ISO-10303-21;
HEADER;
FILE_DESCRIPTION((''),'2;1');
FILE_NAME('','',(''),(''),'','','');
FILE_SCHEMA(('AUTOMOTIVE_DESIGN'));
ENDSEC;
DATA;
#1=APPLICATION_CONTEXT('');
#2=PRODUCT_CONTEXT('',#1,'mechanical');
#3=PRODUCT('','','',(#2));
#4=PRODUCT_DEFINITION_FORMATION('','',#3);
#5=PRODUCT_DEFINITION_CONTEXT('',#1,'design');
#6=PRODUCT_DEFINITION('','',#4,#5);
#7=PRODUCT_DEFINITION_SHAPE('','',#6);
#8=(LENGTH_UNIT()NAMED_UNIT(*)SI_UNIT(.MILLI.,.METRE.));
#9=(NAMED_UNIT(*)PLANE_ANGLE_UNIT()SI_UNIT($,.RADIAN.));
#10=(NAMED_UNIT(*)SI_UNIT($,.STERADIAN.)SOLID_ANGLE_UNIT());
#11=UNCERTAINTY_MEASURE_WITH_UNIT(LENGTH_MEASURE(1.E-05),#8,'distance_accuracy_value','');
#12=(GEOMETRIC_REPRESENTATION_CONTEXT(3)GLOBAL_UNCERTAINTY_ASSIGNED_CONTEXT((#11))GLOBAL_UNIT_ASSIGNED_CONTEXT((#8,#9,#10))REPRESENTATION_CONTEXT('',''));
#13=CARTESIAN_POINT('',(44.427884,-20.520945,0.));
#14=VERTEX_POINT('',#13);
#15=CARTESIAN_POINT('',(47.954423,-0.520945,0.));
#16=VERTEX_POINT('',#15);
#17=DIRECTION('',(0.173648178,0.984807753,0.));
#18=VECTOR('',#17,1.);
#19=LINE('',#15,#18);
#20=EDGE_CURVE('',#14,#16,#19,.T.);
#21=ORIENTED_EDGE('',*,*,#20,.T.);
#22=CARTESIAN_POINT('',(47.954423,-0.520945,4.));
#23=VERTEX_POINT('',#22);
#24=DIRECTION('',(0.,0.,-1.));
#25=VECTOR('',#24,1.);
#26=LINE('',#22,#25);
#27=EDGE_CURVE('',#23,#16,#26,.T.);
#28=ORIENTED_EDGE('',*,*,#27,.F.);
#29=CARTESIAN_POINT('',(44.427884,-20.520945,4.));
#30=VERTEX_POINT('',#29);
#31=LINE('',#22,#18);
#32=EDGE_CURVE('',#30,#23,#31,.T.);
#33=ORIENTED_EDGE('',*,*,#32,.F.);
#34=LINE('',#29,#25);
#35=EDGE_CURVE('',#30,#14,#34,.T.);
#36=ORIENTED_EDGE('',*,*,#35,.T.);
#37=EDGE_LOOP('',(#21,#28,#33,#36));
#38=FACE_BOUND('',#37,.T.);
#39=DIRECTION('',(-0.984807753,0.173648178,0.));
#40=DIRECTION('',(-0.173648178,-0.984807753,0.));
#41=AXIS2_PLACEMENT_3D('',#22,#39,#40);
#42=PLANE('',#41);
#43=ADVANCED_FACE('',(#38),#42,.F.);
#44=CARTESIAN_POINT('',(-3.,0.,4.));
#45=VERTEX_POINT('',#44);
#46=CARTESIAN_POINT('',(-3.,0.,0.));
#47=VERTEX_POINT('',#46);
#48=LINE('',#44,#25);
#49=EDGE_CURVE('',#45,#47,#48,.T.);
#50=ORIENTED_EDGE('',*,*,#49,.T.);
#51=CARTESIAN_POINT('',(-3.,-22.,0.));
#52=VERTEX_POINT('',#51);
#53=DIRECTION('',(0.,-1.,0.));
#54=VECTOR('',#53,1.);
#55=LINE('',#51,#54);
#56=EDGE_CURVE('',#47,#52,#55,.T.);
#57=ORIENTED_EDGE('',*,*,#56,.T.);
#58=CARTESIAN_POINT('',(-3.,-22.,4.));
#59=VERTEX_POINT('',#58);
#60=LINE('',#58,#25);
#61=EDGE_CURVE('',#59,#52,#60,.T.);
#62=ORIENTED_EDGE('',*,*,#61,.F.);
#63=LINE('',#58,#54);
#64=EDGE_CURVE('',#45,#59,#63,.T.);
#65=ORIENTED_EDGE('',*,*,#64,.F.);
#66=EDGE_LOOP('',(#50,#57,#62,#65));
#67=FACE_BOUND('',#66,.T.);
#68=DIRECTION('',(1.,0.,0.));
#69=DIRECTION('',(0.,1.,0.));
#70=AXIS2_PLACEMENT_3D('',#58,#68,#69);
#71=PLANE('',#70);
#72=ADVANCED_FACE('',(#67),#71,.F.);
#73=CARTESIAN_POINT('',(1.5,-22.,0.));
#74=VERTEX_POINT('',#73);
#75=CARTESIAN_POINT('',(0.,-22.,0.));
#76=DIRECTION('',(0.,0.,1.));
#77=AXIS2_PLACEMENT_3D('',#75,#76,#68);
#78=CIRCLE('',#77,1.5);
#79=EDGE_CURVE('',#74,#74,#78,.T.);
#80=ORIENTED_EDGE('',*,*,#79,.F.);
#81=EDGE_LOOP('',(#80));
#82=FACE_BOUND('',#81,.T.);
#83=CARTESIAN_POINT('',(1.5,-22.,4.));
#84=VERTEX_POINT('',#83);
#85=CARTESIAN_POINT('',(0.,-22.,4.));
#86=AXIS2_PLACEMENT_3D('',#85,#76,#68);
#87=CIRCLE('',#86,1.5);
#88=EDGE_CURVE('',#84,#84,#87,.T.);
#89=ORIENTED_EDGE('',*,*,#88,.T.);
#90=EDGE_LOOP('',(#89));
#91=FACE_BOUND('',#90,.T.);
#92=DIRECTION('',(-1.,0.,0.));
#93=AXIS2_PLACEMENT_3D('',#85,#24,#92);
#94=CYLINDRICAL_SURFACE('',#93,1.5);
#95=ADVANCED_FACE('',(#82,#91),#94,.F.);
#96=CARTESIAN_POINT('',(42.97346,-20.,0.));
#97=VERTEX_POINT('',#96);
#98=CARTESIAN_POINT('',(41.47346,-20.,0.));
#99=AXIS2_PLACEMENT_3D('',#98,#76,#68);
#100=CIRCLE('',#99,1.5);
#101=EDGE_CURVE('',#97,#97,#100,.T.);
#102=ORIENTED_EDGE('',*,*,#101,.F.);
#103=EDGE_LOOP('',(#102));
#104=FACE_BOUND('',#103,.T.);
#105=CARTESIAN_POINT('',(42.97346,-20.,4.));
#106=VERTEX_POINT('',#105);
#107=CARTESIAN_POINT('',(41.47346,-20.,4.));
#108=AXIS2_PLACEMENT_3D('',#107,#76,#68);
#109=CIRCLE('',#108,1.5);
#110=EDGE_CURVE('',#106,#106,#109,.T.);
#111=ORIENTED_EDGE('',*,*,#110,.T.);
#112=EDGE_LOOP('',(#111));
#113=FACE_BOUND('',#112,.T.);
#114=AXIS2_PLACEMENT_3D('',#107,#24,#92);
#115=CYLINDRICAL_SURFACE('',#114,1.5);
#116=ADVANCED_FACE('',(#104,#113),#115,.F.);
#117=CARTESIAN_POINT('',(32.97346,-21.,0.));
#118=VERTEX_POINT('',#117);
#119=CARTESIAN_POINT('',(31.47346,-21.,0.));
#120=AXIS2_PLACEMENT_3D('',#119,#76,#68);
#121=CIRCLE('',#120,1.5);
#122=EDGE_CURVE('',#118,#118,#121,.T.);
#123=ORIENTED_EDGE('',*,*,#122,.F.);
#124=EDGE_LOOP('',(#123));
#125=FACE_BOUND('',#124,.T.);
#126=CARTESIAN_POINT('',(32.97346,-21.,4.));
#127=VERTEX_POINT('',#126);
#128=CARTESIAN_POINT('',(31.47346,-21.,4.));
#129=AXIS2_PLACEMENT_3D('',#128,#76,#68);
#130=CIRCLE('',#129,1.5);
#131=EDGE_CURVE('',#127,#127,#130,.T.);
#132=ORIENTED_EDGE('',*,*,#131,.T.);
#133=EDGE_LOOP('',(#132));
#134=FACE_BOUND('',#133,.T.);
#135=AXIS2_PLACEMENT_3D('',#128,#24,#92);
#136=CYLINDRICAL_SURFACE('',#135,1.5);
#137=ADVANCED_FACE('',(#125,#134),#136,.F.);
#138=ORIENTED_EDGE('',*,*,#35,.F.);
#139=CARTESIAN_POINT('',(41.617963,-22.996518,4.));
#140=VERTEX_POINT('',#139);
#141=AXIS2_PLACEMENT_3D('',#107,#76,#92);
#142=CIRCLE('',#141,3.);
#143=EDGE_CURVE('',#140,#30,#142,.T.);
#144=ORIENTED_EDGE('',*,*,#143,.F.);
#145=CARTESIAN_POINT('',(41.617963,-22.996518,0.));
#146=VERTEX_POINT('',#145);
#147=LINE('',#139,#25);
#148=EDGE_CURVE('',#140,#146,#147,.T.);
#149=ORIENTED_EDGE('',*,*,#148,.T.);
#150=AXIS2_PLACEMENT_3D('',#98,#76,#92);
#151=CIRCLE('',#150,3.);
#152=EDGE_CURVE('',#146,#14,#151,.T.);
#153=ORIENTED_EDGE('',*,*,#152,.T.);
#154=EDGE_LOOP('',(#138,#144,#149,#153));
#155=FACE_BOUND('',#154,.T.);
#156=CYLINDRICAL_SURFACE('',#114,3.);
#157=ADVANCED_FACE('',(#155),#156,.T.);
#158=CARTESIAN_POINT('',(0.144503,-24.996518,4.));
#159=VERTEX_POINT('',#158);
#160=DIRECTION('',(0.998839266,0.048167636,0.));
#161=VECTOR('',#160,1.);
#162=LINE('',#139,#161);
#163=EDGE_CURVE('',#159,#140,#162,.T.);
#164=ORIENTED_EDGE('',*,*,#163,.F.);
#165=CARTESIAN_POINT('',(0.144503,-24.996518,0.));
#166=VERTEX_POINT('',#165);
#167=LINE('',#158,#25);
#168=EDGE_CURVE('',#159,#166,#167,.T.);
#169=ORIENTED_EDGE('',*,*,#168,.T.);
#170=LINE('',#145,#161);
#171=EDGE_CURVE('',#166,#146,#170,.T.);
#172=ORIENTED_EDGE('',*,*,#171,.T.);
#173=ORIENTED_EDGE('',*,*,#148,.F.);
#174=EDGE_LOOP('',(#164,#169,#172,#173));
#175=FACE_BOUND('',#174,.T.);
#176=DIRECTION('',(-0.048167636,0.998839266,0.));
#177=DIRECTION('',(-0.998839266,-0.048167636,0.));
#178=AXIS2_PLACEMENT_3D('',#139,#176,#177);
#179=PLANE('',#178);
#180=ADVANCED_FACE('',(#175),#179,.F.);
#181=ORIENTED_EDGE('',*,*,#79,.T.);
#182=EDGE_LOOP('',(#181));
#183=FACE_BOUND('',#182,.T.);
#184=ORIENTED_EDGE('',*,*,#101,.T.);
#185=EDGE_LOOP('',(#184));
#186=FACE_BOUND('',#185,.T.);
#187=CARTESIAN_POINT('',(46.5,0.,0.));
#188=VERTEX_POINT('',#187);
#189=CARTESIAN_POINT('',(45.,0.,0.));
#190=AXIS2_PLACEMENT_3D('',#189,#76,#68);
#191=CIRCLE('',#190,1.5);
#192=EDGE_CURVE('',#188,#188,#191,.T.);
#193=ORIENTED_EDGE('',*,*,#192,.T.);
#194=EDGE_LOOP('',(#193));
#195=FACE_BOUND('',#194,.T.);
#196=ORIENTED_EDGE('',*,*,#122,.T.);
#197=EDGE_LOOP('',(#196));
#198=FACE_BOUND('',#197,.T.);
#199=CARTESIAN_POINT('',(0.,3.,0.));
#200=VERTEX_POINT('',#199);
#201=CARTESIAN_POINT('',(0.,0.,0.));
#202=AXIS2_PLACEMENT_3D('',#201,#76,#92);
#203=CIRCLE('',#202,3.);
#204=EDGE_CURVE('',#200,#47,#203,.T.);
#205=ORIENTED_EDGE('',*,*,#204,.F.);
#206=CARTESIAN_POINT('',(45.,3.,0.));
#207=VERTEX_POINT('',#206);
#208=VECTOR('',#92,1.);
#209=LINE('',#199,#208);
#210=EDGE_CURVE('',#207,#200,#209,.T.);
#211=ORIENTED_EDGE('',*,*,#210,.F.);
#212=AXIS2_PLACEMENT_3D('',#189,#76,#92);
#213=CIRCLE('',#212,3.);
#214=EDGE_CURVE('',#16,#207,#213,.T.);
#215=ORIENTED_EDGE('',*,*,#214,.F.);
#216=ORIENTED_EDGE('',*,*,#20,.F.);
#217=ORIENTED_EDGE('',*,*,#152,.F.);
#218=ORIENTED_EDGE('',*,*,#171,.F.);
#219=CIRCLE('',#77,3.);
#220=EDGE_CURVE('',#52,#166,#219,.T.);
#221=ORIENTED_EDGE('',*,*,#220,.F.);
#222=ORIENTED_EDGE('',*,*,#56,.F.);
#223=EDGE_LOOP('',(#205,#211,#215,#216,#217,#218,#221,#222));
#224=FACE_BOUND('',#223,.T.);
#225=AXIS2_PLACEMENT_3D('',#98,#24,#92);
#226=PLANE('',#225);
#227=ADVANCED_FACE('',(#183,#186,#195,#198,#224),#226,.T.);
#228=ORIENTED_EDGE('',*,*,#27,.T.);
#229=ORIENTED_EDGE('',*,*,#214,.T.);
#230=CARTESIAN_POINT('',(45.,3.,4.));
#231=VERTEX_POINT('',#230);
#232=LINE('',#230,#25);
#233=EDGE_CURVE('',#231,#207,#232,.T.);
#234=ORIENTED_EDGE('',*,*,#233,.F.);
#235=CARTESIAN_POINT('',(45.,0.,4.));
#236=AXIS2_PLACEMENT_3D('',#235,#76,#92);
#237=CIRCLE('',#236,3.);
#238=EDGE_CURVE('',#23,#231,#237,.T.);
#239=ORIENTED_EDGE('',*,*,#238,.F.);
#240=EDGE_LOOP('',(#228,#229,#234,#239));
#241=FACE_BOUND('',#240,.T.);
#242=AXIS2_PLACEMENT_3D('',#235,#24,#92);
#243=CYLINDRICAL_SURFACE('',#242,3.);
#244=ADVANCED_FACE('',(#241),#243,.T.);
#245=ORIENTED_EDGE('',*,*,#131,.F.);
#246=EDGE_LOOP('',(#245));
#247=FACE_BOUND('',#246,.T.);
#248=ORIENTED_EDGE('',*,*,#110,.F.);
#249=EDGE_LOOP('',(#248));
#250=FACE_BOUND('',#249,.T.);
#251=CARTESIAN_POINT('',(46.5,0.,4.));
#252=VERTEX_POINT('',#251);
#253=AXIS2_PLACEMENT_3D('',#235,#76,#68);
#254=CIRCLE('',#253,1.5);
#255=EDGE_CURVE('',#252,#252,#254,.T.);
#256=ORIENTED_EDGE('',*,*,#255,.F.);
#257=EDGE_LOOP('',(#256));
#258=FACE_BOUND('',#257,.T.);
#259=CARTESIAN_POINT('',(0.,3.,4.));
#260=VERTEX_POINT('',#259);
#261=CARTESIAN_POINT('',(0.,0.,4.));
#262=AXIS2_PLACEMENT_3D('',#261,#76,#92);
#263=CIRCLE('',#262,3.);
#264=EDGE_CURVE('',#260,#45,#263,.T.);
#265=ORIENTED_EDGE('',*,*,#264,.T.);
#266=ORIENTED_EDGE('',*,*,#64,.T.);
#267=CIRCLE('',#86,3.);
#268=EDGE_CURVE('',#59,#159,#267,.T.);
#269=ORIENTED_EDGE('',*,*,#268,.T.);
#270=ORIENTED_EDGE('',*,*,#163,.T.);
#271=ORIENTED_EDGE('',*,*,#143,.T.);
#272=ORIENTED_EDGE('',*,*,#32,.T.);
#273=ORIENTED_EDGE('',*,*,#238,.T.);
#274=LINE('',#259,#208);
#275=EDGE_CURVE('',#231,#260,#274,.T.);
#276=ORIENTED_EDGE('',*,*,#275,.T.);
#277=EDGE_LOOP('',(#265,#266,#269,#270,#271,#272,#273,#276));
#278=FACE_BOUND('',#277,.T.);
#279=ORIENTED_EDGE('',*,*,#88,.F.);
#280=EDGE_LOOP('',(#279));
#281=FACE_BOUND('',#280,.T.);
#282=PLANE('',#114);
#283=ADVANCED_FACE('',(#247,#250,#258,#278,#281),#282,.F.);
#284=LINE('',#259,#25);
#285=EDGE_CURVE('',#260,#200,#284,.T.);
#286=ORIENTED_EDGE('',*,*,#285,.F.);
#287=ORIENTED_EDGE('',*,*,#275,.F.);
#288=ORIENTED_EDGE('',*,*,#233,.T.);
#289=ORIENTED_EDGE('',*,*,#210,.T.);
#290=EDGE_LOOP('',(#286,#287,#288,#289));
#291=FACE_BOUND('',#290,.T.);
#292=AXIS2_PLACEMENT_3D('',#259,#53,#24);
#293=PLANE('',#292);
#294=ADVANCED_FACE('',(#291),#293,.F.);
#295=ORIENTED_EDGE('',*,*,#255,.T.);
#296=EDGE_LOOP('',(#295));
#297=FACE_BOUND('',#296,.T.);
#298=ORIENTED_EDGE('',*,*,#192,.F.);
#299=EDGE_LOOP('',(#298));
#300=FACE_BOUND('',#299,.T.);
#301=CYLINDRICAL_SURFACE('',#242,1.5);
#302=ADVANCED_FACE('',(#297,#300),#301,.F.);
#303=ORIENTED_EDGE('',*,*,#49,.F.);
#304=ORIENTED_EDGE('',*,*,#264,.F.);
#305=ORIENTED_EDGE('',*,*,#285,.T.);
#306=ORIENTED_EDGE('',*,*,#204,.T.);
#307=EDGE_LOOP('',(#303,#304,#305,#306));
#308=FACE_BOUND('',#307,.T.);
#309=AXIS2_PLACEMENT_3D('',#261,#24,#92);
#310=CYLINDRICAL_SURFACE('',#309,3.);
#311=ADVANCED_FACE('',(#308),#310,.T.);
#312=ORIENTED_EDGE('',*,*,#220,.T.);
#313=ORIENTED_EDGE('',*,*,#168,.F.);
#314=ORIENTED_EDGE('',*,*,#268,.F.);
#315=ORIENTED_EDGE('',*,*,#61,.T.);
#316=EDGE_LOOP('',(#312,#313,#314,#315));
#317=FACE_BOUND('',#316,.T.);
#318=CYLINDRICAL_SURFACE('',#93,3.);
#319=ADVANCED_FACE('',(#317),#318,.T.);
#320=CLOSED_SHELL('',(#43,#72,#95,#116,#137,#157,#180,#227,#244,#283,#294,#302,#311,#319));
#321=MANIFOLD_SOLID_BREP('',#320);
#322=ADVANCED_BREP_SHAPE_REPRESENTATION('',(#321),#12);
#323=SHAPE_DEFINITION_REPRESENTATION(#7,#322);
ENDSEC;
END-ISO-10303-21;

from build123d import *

# Parameters (mm, degrees)
SKETCH1_R           = 1.5
BOSS_EXTRUDE1_DEPTH = 4


with BuildPart() as part:
    # Sketch1 → Boss-Extrude1 (new body)
    with BuildSketch(Plane.XY):
        with BuildLine():
            Line((0, 3), (45, 3))
            ThreePointArc((45, 3), (47.298133329, 1.928362829), (47.954423259, -0.520944533))
            Line((47.954423259, -0.520944533), (44.427883645, -20.520944533))
            ThreePointArc((44.427883645, -20.520944533), (43.456627447, -22.25101053), (41.617963293, -22.996517797))
            Line((41.617963293, -22.996517797), (0.144502907, -24.996517797))
            ThreePointArc((0.144502907, -24.996517797), (-2.069600357, -24.171809006), (-3, -22))
            Line((-3, -22), (-3, 0))
            ThreePointArc((-3, 0), (-2.121320344, 2.121320344), (0, 3))
        make_face()
        with Locations((45, 0)):
            Circle(SKETCH1_R, mode=Mode.SUBTRACT)
        with Locations((41.473460386, -20)):
            Circle(SKETCH1_R, mode=Mode.SUBTRACT)
        with Locations((31.473460386, -21)):
            Circle(SKETCH1_R, mode=Mode.SUBTRACT)
        with Locations((0, -22)):
            Circle(SKETCH1_R, mode=Mode.SUBTRACT)
    extrude(amount=BOSS_EXTRUDE1_DEPTH)


solid = part.part
